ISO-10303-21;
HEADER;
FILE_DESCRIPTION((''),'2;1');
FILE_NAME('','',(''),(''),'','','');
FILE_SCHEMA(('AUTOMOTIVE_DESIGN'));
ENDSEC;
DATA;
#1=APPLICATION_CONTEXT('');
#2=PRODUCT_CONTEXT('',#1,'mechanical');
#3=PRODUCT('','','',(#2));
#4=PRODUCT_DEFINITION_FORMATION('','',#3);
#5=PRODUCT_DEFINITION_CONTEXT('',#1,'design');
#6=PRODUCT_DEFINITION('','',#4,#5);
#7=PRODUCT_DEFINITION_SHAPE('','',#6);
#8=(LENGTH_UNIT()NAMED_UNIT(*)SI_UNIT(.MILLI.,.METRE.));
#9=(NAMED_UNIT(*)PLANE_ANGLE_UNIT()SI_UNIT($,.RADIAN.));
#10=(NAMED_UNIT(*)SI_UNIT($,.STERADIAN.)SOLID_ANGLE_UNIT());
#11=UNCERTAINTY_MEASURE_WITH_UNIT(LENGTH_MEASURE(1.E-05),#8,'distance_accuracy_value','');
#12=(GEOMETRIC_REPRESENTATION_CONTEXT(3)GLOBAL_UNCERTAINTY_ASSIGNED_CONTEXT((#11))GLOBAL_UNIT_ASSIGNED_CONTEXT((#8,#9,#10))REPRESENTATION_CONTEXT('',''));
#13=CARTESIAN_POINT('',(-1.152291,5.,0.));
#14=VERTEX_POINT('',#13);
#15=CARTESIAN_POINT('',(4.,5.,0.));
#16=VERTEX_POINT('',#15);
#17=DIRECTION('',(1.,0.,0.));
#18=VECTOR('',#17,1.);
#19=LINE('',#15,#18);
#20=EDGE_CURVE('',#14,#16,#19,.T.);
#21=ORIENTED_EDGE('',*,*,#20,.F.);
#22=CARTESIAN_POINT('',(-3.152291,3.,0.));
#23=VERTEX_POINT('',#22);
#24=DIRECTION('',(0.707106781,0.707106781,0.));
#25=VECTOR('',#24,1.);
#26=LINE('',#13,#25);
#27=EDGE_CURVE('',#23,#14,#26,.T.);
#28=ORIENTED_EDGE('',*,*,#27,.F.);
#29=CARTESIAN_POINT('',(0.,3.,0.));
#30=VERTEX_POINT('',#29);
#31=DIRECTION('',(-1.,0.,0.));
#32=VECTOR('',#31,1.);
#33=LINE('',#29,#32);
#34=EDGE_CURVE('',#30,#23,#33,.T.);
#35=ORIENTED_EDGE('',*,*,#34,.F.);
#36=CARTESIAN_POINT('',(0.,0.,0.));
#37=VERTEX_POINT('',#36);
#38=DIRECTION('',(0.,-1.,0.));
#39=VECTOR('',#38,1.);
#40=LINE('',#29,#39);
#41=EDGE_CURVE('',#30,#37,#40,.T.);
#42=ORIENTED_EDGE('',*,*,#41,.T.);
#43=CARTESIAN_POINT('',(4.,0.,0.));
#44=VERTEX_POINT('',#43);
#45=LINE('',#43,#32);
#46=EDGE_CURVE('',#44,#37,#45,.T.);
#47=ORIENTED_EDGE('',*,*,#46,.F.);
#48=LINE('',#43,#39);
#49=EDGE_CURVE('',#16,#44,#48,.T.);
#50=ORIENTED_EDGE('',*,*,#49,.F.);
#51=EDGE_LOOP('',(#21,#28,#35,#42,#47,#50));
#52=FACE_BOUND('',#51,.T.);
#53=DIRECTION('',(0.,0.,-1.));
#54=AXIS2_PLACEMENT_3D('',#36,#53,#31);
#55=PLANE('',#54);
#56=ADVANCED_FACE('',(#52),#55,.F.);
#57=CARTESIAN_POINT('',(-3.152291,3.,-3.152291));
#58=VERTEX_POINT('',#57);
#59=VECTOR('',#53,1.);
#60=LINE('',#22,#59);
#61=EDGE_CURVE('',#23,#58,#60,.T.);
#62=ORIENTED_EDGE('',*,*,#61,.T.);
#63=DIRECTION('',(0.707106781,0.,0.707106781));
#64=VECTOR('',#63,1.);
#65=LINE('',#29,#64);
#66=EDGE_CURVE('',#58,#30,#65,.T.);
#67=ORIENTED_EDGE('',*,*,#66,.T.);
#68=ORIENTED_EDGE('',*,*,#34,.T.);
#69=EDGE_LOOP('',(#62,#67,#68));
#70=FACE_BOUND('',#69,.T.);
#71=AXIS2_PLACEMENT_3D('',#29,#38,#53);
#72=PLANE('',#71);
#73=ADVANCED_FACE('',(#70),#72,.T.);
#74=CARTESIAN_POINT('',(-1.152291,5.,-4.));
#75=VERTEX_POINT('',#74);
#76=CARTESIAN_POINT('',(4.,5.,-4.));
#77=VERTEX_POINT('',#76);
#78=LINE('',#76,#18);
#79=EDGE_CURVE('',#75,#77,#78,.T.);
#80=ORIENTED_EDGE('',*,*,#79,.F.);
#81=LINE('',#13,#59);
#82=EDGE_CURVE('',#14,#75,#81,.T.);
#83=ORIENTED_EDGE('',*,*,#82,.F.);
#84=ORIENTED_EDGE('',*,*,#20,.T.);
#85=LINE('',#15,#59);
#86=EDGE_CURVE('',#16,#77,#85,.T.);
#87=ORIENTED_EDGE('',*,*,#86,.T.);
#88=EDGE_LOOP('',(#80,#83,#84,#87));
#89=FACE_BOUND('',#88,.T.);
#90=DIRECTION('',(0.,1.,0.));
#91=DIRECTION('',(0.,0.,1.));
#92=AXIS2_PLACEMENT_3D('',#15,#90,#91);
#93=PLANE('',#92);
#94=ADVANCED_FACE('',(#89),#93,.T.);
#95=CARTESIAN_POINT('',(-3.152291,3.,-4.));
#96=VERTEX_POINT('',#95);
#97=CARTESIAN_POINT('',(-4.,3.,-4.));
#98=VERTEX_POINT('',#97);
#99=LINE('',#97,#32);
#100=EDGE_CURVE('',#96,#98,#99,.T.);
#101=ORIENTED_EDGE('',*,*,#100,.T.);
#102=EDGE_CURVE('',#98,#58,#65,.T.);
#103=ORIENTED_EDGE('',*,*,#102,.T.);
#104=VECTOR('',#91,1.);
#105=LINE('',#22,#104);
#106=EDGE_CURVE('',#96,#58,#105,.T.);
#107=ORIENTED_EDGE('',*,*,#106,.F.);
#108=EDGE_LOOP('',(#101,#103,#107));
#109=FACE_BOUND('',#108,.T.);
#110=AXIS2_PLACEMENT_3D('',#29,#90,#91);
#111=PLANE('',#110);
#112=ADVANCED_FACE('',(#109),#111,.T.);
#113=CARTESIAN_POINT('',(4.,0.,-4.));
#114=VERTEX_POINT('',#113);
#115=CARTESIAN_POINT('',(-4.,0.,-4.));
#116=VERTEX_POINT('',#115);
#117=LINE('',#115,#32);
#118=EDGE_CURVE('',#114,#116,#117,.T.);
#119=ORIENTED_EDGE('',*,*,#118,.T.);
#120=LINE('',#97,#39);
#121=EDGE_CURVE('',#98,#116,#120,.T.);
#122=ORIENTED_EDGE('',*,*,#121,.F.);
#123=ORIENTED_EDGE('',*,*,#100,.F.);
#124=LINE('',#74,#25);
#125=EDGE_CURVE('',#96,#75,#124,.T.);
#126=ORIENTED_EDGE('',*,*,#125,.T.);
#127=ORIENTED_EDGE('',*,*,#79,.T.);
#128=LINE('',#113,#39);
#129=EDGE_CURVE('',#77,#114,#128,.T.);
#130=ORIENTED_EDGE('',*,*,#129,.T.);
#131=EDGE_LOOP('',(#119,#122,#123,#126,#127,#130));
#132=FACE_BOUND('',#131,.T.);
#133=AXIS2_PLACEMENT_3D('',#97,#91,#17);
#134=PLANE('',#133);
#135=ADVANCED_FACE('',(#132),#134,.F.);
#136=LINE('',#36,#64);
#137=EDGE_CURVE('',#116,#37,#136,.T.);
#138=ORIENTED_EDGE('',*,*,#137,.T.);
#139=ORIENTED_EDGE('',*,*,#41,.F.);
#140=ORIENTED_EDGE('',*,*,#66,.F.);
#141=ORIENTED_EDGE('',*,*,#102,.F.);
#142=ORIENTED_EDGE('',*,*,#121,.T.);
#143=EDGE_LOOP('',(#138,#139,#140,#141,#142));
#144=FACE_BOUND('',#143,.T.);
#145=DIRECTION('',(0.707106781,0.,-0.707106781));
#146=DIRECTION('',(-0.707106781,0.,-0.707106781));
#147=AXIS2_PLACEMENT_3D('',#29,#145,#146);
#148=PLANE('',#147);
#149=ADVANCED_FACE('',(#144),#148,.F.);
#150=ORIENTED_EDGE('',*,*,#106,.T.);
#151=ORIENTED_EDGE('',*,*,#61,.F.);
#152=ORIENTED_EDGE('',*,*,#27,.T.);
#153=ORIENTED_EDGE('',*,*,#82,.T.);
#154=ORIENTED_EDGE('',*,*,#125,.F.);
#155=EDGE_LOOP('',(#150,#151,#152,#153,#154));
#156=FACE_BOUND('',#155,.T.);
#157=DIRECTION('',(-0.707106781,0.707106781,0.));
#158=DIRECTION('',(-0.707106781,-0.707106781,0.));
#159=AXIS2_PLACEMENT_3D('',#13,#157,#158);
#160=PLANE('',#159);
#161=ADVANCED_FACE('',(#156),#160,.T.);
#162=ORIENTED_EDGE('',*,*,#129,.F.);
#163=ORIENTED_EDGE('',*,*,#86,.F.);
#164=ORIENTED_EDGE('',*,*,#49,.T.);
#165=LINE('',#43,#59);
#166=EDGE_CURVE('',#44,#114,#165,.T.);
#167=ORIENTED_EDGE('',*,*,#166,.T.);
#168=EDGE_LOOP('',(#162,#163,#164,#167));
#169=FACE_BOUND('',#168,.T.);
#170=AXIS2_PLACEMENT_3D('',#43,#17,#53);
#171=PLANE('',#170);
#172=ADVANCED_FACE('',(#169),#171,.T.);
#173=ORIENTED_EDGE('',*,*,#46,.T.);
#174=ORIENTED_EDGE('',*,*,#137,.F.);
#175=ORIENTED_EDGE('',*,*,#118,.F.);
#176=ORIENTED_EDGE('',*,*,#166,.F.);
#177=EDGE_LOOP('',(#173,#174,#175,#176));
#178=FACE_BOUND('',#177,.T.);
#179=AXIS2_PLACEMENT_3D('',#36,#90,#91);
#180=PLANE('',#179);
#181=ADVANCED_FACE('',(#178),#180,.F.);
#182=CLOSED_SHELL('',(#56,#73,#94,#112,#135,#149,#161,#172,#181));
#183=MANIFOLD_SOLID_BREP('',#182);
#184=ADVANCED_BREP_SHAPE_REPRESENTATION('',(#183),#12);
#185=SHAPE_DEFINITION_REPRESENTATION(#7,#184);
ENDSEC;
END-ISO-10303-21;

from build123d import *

# Parameters (mm, degrees)
BOSS_EXTRUDE1_DEPTH = 3
BOSS_EXTRUDE2_DEPTH = 4


with BuildPart() as part:
    # Sketch1 → Boss-Extrude1 (new body)
    with BuildSketch(Plane(origin=(0, 0, 0), x_dir=(1, 0, 0), z_dir=(0, 1, 0))):
        Polygon((0, 0), (-4, 4), (0, 4), align=None)
    extrude(amount=BOSS_EXTRUDE1_DEPTH)

    # Sketch2 → Boss-Extrude2 (add)
    with BuildSketch(Plane(origin=(0, 0, -4), x_dir=(-1, 0, 0), z_dir=(0, 0, -1))):
        Polygon((1.152291055, 5), (3.152291055, 3), (0, 3), (0, 0), (-4, 0), (-4, 5), align=None)
    extrude(amount=-BOSS_EXTRUDE2_DEPTH)


solid = part.part
